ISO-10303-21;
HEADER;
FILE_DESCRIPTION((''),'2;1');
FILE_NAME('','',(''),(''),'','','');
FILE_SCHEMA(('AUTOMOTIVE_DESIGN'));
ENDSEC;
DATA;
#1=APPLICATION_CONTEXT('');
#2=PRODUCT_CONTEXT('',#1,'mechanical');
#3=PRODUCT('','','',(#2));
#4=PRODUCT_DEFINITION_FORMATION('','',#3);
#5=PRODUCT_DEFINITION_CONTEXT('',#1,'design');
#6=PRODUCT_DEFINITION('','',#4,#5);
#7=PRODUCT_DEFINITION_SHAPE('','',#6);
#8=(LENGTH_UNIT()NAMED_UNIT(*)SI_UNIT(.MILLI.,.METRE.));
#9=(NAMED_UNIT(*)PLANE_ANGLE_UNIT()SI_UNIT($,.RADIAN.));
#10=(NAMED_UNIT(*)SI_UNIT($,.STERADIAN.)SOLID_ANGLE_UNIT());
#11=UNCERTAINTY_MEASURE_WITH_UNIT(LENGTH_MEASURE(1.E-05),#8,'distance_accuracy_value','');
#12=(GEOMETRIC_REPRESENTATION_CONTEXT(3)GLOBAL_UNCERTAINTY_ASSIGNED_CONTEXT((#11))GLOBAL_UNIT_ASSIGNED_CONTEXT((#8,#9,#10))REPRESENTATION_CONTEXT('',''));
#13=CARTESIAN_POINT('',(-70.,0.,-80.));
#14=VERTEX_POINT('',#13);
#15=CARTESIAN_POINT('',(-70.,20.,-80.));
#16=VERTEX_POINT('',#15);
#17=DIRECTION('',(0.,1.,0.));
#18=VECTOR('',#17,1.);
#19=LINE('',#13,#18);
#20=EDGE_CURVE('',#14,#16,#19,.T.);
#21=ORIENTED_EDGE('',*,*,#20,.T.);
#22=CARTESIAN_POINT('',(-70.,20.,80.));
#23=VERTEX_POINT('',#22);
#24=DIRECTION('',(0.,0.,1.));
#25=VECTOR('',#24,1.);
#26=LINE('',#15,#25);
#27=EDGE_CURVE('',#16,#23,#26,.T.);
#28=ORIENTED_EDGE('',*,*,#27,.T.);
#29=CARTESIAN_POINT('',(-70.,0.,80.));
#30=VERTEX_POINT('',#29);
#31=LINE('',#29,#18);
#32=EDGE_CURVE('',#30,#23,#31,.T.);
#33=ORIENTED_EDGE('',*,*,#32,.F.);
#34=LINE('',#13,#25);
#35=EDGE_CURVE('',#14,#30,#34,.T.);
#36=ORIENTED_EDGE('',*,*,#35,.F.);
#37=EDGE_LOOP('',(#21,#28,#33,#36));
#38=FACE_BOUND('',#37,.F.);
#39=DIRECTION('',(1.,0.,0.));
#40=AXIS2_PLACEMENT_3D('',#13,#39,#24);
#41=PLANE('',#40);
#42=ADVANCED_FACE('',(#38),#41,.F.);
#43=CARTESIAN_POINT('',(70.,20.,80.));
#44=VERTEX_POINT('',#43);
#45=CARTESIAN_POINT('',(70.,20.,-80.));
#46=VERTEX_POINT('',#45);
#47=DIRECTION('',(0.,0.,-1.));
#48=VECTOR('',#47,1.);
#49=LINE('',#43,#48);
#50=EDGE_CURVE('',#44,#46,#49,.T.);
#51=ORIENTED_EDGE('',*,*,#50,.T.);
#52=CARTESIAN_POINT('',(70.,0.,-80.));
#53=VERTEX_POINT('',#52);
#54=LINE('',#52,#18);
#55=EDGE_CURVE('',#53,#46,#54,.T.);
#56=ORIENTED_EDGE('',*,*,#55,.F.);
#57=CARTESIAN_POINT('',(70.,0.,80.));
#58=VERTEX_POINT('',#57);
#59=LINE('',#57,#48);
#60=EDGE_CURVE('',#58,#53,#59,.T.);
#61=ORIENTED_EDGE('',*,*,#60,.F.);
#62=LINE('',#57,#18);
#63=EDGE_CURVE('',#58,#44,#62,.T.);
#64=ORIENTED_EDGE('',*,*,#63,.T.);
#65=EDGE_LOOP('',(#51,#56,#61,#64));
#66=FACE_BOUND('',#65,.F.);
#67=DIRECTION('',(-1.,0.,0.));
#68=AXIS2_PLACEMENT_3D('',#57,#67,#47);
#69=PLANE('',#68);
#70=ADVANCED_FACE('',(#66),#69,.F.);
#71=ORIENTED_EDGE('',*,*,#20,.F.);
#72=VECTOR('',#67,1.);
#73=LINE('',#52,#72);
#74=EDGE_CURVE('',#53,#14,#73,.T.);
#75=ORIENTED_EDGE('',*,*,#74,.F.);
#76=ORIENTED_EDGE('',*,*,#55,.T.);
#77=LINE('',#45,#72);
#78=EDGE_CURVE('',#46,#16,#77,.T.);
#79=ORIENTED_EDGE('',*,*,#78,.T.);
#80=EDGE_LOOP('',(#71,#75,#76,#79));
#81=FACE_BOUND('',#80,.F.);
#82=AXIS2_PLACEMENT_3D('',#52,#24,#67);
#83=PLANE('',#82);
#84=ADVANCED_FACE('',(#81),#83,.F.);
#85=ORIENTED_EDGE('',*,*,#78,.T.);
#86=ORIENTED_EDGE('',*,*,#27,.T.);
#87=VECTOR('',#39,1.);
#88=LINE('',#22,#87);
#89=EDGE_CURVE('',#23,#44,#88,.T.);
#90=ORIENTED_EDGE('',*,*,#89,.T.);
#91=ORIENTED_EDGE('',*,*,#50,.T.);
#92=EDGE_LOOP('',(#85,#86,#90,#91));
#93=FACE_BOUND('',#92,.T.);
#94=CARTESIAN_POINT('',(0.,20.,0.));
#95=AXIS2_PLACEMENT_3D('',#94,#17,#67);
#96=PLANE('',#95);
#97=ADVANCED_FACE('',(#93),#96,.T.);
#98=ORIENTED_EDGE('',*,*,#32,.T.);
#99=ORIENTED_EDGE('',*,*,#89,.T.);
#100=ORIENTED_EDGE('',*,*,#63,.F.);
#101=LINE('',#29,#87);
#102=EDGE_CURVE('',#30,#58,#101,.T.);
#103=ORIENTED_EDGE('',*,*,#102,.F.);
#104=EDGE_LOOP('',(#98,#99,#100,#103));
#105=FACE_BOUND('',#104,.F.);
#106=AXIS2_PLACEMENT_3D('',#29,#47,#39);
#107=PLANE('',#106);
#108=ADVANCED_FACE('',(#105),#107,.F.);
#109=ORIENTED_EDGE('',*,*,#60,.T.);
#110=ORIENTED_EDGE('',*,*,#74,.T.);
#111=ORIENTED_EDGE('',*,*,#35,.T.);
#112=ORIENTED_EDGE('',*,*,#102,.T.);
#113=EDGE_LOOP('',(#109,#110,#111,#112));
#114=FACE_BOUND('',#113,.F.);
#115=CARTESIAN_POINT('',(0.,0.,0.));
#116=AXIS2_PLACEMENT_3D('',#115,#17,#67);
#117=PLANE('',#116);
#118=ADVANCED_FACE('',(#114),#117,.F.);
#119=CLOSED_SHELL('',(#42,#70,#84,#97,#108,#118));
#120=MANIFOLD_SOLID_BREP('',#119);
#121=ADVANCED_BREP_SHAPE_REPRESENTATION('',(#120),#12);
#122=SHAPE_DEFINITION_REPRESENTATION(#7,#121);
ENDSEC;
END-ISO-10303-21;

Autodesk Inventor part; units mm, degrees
ref_plane "YZ Plane" through (0, 0, 0) normal (1, 0, 0) x (0, 1, 0)
ref_plane "XZ Plane" through (0, 0, 0) normal (0, 1, 0) x (-1, 0, 0)
ref_plane "XY Plane" through (0, 0, 0) normal (0, 0, 1) x (1, 0, 0)
sketch "Sketch1" plane through (0, 0, 0) normal (0, 1, 0) x (-1, 0, 0)
  line L0 (70, 80) -> (-70, 80)
  line L1 (-70, 80) -> (-70, -80)
  line L2 (-70, -80) -> (70, -80)
  line L3 (70, -80) -> (70, 80)
  point P0 (0, 0)
  dimension "d13" = 20
  dimension "d0" = 140
  dimension "d1" = 160
  dimension "d4" = 70
  dimension "d5" = 80
extrude "Extrusion1" add sketch "Sketch1" along normal blind 20
sketch "Sketch2" plane through (0, 20, 0) normal (0, 1, 0) x (1, 0, 0)
  line L0 (50, 60) -> (-50, 60)
  line L1 (-50, 60) -> (-50, -60)
  line L2 (-50, -60) -> (50, -60)
  line L3 (50, -60) -> (50, 60)
  line L4 (50, 60) -> (-50, -60) construction
  line L5 (-50, 60) -> (50, -60) construction
  point P0 (0, 0)
  dimension "d8" = 100
  dimension "d9" = 120
extrude "Extrusion2" add sketch "Sketch2" along normal blind 10
sketch "Sketch3" plane through (0, 30, 0) normal (0, 1, 0) x (1, 0, 0)
  line L0 (-50, 60) -> (-50, -60) projected
  line L1 (-50, -60) -> (-30, -60)
  line L2 (-30, -60) -> (-30, -40)
  line L3 (-30, -40) -> (-50, -40)
  line L4 (-50, -40) -> (-50, -60)
  line L5 (-10, -60) -> (10, -60)
  line L6 (10, -60) -> (10, -40)
  line L7 (10, -40) -> (-10, -40)
  line L8 (-10, -40) -> (-10, -60)
  line L9 (10, -40) -> (30, -40)
  line L10 (30, -40) -> (30, -20)
  line L11 (30, -20) -> (10, -20)
  line L12 (10, -20) -> (10, -40)
  line L13 (-30, -40) -> (-10, -40)
  line L14 (-10, -40) -> (-10, -20)
  line L15 (-10, -20) -> (-30, -20)
  line L16 (-30, -20) -> (-30, -40)
  line L17 (-50, -60) -> (50, -60) projected
  line L18 (-53.5785, -189.3047) -> (-33.5785, -189.3047)
  line L19 (-33.5785, -189.3047) -> (-33.5785, -169.3047)
  line L20 (-33.5785, -169.3047) -> (-53.5785, -169.3047)
  line L21 (-53.5785, -169.3047) -> (-53.5785, -189.3047)
  line L22 (-50, -20) -> (-30, -20)
  line L23 (-30, -20) -> (-30, 0)
  line L24 (-30, 0) -> (-50, 0)
  line L25 (-50, 0) -> (-50, -20)
  line L26 (-10, -20) -> (10, -20)
  line L27 (10, -20) -> (10, 0)
  line L28 (10, 0) -> (-10, 0)
  line L29 (-10, 0) -> (-10, -20)
  line L30 (10, 40) -> (30, 40)
  line L31 (30, 40) -> (30, 60)
  line L32 (30, 60) -> (10, 60)
  line L33 (10, 60) -> (10, 40)
  line L34 (-10, 20) -> (-30, 20)
  line L35 (-30, 0) -> (-10, 0)
  line L36 (-30, 20) -> (-30, 0)
  line L37 (-10, 0) -> (-10, 20)
  line L38 (10, 40) -> (-10, 40)
  line L39 (-10, 20) -> (10, 20)
  line L40 (-10, 40) -> (-10, 20)
  line L41 (10, 20) -> (10, 40)
  line L42 (30, 20) -> (10, 20)
  line L43 (10, 0) -> (30, 0)
  line L44 (10, 20) -> (10, 0)
  line L45 (30, 0) -> (30, 20)
  line L46 (-10, 60) -> (-30, 60)
  line L47 (-30, 40) -> (-10, 40)
  line L48 (-30, 60) -> (-30, 40)
  line L49 (-10, 40) -> (-10, 60)
  line L50 (-30, 40) -> (-50, 40)
  line L51 (-50, 20) -> (-30, 20)
  line L52 (-50, 40) -> (-50, 20)
  line L53 (-30, 20) -> (-30, 40)
  line L54 (30, 20) -> (50, 20)
  line L55 (50, 20) -> (50, 40)
  line L56 (50, 40) -> (30, 40)
  line L57 (30, 40) -> (30, 20)
  line L58 (30, -20) -> (50, -20)
  line L59 (50, -20) -> (50, 0)
  line L60 (50, 0) -> (30, 0)
  line L61 (30, 0) -> (30, -20)
  line L62 (30, -60) -> (50, -60)
  line L63 (50, -60) -> (50, -40)
  line L64 (50, -40) -> (30, -40)
  line L65 (30, -40) -> (30, -60)
  dimension "d12" = 20
  dimension "d13" = 20
  dimension "d14" = 20
  dimension "d15" = 20
  dimension "d17" = 20
  dimension "d18" = 20
  dimension "d19" = 20
  dimension "d21" = 20
  dimension "d22" = 20
  dimension "d25" = 20
  dimension "d26" = 20
  dimension "d27" = 20
  dimension "d28" = 20
  dimension "d30" = 20
  dimension "d31" = 20
  dimension "d33" = 20
  dimension "d34" = 20
  dimension "d36" = 20
  dimension "d37" = 20
  dimension "d39" = 20
  dimension "d40" = 20
  dimension "d42" = 20
  dimension "d43" = 20
  dimension "d45" = 20
  dimension "d46" = 20
  dimension "d48" = 20
  dimension "d49" = 20
  dimension "d77" = 20
  dimension "d78" = 20
  dimension "d80" = 20
  dimension "d81" = 20
  dimension "d83" = 20
  dimension "d84" = 20
extrude "Extrusion5" cut sketch "Sketch3" against normal blind 10 contours L50 L53 L51 L0 | L48 L46 L49 L47 | L24 L23 L22 L0 | L34 L37 L35 L36 | L38 L41 L39 L40 | L33 L32 L31 L30 | L3 L2 L1 L0 | L15 L14 L13 L16 | L28 L27 L26 L29 | L42 L45 L43 L44 | L56 L55 L54 L57 | L7 L6 L5 L8 | L11 L10 L9 L12 | L60 L59 L58 L61 | L64 L63 L17 L65
sketch "Sketch4" plane through (0, 20, 0) normal (0, 1, 0) x (1, 0, 0)
  line L0 (-65, -75) -> (-65, 45)
  line L1 (-65, 45) -> (-60, 45)
  line L2 (-60, 45) -> (-60, -70)
  line L3 (-60, -70) -> (25, -70)
  line L4 (25, -70) -> (25, -75)
  line L5 (25, -75) -> (-65, -75)
  line L6 (-70, -80) -> (70, -80) projected
  line L7 (-70, 80) -> (-70, -80) projected
  line L8 (-53.0136, 61.5997) -> (-53.0136, 50) construction
  line L9 (-53.0136, 50) -> (-65.2641, 50) construction
  line L10 (-65.2641, 50) -> (-65.2641, 61.5997) construction
  line L11 (-65.2641, 61.5997) -> (-53.0136, 61.5997) construction
  line L12 (30, -75) -> (30, -63.5159) construction
  line L13 (30, -63.5159) -> (34.1954, -63.5159) construction
  line L14 (34.1954, -63.5159) -> (34.1954, -75) construction
  line L15 (34.1954, -75) -> (30, -75) construction
  line L16 (-65.0136, 50.2026) -> (-65.0136, 53.684)
  line L17 (-65.0136, 53.684) -> (-61.1919, 55.9984)
  line L18 (-61.1919, 55.9984) -> (-65.0136, 58.3615)
  line L19 (-65.0136, 58.3615) -> (-65.0136, 61.697)
  line L20 (-65.0136, 61.697) -> (-58.9747, 57.7975)
  line L21 (-58.9747, 57.7975) -> (-53.0136, 61.5414)
  line L22 (-53.0136, 61.5414) -> (-53.0136, 58.06)
  line L23 (-53.0136, 58.06) -> (-56.6408, 55.8915)
  line L24 (-56.6408, 55.8915) -> (-53.0136, 53.6646)
  line L25 (-53.0136, 53.6646) -> (-53.0136, 50.3291)
  line L26 (-53.0136, 50.3291) -> (-58.8483, 54.0924)
  line L27 (-58.8483, 54.0924) -> (-65.0136, 50.2026)
  line L28 (30, -63.778) -> (36.9919, -67.9206)
  line L29 (36.9919, -67.9206) -> (42, -67.9206)
  line L30 (42, -67.9206) -> (42, -70.9352)
  line L31 (42, -70.9352) -> (37.1378, -70.9352)
  line L32 (37.1378, -70.9352) -> (30, -75.1459)
  line L33 (30, -75.1459) -> (30, -71.7131)
  line L34 (30, -71.7131) -> (34.2788, -69.3695)
  line L35 (34.2788, -69.3695) -> (30, -67.1037)
  line L36 (30, -67.1037) -> (30, -63.778)
  point P0 (0, 0)
  point P1 (-62.5, 45)
  point P2 (-58.8748, 54.3197)
  point P3 (25, -72.5)
  point P4 (28.8521, -69.3123)
  point P5 (28.8521, -69.3123)
  dimension "d53" = 5
  dimension "d54" = 5
  dimension "d55" = 5
  dimension "d56" = 5
  dimension "d57" = 120
  dimension "d58" = 90
  dimension "d63" = 12.2505
  dimension "d73" = 5
  dimension "d88" = 5
  dimension "d90" = 5
extrude "Extrusion4" add sketch "Sketch4" along normal blind 10
sketch "Sketch5" plane through (0, 20, 0) normal (0, 1, 0) x (1, 0, 0)
  line L0 (66.7816, 77.1138) -> (-66.7816, 77.1138)
  line L1 (-66.7816, 77.1138) -> (-66.7816, -77.1138)
  line L2 (-66.7816, -77.1138) -> (66.7816, -77.1138)
  line L3 (66.7816, -77.1138) -> (66.7816, 77.1138)
  line L4 (66.7816, 77.1138) -> (-66.7816, -77.1138) construction
  line L5 (-66.7816, 77.1138) -> (66.7816, -77.1138) construction
  point P0 (0, 0)
extrude "Extrusion6" cut sketch "Sketch5" along normal blind 10
equation "\"d13\" = cell"
equation "\"d4\" = 0.5 * d0"
equation "\"d5\" = 0.5 * d1"
equation "\"d12\" = cell"
equation "\"d14\" = d16"
equation "\"d15\" = d16"
equation "\"d17\" = cell"
equation "\"d18\" = d20"
equation "\"d19\" = d20"
equation "\"d21\" = d23"
equation "\"d22\" = d23"
equation "\"d25\" = cell"
equation "\"d26\" = cell"
equation "\"d27\" = d29"
equation "\"d28\" = d29"
equation "\"d30\" = d32"
equation "\"d31\" = d32"
equation "\"d33\" = d35"
equation "\"d34\" = d35"
equation "\"d36\" = d38"
equation "\"d37\" = d38"
equation "\"d39\" = d41"
equation "\"d40\" = d41"
equation "\"d42\" = d44"
equation "\"d43\" = d44"
equation "\"d45\" = d47"
equation "\"d46\" = d47"
equation "\"d48\" = d50"
equation "\"d49\" = d50"
equation "\"cell\" = 20"
equation "\"d16\" = 20"
equation "\"d20\" = 20"
equation "\"d23\" = 20"
equation "\"d29\" = 20"
equation "\"d32\" = 20"
equation "\"d35\" = 20"
equation "\"d38\" = 20"
equation "\"d41\" = 20"
equation "\"d44\" = 20"
equation "\"d47\" = 20"
equation "\"d50\" = 20"
properties part number "3D_Grid_base" material "Acetal Resin, White"
